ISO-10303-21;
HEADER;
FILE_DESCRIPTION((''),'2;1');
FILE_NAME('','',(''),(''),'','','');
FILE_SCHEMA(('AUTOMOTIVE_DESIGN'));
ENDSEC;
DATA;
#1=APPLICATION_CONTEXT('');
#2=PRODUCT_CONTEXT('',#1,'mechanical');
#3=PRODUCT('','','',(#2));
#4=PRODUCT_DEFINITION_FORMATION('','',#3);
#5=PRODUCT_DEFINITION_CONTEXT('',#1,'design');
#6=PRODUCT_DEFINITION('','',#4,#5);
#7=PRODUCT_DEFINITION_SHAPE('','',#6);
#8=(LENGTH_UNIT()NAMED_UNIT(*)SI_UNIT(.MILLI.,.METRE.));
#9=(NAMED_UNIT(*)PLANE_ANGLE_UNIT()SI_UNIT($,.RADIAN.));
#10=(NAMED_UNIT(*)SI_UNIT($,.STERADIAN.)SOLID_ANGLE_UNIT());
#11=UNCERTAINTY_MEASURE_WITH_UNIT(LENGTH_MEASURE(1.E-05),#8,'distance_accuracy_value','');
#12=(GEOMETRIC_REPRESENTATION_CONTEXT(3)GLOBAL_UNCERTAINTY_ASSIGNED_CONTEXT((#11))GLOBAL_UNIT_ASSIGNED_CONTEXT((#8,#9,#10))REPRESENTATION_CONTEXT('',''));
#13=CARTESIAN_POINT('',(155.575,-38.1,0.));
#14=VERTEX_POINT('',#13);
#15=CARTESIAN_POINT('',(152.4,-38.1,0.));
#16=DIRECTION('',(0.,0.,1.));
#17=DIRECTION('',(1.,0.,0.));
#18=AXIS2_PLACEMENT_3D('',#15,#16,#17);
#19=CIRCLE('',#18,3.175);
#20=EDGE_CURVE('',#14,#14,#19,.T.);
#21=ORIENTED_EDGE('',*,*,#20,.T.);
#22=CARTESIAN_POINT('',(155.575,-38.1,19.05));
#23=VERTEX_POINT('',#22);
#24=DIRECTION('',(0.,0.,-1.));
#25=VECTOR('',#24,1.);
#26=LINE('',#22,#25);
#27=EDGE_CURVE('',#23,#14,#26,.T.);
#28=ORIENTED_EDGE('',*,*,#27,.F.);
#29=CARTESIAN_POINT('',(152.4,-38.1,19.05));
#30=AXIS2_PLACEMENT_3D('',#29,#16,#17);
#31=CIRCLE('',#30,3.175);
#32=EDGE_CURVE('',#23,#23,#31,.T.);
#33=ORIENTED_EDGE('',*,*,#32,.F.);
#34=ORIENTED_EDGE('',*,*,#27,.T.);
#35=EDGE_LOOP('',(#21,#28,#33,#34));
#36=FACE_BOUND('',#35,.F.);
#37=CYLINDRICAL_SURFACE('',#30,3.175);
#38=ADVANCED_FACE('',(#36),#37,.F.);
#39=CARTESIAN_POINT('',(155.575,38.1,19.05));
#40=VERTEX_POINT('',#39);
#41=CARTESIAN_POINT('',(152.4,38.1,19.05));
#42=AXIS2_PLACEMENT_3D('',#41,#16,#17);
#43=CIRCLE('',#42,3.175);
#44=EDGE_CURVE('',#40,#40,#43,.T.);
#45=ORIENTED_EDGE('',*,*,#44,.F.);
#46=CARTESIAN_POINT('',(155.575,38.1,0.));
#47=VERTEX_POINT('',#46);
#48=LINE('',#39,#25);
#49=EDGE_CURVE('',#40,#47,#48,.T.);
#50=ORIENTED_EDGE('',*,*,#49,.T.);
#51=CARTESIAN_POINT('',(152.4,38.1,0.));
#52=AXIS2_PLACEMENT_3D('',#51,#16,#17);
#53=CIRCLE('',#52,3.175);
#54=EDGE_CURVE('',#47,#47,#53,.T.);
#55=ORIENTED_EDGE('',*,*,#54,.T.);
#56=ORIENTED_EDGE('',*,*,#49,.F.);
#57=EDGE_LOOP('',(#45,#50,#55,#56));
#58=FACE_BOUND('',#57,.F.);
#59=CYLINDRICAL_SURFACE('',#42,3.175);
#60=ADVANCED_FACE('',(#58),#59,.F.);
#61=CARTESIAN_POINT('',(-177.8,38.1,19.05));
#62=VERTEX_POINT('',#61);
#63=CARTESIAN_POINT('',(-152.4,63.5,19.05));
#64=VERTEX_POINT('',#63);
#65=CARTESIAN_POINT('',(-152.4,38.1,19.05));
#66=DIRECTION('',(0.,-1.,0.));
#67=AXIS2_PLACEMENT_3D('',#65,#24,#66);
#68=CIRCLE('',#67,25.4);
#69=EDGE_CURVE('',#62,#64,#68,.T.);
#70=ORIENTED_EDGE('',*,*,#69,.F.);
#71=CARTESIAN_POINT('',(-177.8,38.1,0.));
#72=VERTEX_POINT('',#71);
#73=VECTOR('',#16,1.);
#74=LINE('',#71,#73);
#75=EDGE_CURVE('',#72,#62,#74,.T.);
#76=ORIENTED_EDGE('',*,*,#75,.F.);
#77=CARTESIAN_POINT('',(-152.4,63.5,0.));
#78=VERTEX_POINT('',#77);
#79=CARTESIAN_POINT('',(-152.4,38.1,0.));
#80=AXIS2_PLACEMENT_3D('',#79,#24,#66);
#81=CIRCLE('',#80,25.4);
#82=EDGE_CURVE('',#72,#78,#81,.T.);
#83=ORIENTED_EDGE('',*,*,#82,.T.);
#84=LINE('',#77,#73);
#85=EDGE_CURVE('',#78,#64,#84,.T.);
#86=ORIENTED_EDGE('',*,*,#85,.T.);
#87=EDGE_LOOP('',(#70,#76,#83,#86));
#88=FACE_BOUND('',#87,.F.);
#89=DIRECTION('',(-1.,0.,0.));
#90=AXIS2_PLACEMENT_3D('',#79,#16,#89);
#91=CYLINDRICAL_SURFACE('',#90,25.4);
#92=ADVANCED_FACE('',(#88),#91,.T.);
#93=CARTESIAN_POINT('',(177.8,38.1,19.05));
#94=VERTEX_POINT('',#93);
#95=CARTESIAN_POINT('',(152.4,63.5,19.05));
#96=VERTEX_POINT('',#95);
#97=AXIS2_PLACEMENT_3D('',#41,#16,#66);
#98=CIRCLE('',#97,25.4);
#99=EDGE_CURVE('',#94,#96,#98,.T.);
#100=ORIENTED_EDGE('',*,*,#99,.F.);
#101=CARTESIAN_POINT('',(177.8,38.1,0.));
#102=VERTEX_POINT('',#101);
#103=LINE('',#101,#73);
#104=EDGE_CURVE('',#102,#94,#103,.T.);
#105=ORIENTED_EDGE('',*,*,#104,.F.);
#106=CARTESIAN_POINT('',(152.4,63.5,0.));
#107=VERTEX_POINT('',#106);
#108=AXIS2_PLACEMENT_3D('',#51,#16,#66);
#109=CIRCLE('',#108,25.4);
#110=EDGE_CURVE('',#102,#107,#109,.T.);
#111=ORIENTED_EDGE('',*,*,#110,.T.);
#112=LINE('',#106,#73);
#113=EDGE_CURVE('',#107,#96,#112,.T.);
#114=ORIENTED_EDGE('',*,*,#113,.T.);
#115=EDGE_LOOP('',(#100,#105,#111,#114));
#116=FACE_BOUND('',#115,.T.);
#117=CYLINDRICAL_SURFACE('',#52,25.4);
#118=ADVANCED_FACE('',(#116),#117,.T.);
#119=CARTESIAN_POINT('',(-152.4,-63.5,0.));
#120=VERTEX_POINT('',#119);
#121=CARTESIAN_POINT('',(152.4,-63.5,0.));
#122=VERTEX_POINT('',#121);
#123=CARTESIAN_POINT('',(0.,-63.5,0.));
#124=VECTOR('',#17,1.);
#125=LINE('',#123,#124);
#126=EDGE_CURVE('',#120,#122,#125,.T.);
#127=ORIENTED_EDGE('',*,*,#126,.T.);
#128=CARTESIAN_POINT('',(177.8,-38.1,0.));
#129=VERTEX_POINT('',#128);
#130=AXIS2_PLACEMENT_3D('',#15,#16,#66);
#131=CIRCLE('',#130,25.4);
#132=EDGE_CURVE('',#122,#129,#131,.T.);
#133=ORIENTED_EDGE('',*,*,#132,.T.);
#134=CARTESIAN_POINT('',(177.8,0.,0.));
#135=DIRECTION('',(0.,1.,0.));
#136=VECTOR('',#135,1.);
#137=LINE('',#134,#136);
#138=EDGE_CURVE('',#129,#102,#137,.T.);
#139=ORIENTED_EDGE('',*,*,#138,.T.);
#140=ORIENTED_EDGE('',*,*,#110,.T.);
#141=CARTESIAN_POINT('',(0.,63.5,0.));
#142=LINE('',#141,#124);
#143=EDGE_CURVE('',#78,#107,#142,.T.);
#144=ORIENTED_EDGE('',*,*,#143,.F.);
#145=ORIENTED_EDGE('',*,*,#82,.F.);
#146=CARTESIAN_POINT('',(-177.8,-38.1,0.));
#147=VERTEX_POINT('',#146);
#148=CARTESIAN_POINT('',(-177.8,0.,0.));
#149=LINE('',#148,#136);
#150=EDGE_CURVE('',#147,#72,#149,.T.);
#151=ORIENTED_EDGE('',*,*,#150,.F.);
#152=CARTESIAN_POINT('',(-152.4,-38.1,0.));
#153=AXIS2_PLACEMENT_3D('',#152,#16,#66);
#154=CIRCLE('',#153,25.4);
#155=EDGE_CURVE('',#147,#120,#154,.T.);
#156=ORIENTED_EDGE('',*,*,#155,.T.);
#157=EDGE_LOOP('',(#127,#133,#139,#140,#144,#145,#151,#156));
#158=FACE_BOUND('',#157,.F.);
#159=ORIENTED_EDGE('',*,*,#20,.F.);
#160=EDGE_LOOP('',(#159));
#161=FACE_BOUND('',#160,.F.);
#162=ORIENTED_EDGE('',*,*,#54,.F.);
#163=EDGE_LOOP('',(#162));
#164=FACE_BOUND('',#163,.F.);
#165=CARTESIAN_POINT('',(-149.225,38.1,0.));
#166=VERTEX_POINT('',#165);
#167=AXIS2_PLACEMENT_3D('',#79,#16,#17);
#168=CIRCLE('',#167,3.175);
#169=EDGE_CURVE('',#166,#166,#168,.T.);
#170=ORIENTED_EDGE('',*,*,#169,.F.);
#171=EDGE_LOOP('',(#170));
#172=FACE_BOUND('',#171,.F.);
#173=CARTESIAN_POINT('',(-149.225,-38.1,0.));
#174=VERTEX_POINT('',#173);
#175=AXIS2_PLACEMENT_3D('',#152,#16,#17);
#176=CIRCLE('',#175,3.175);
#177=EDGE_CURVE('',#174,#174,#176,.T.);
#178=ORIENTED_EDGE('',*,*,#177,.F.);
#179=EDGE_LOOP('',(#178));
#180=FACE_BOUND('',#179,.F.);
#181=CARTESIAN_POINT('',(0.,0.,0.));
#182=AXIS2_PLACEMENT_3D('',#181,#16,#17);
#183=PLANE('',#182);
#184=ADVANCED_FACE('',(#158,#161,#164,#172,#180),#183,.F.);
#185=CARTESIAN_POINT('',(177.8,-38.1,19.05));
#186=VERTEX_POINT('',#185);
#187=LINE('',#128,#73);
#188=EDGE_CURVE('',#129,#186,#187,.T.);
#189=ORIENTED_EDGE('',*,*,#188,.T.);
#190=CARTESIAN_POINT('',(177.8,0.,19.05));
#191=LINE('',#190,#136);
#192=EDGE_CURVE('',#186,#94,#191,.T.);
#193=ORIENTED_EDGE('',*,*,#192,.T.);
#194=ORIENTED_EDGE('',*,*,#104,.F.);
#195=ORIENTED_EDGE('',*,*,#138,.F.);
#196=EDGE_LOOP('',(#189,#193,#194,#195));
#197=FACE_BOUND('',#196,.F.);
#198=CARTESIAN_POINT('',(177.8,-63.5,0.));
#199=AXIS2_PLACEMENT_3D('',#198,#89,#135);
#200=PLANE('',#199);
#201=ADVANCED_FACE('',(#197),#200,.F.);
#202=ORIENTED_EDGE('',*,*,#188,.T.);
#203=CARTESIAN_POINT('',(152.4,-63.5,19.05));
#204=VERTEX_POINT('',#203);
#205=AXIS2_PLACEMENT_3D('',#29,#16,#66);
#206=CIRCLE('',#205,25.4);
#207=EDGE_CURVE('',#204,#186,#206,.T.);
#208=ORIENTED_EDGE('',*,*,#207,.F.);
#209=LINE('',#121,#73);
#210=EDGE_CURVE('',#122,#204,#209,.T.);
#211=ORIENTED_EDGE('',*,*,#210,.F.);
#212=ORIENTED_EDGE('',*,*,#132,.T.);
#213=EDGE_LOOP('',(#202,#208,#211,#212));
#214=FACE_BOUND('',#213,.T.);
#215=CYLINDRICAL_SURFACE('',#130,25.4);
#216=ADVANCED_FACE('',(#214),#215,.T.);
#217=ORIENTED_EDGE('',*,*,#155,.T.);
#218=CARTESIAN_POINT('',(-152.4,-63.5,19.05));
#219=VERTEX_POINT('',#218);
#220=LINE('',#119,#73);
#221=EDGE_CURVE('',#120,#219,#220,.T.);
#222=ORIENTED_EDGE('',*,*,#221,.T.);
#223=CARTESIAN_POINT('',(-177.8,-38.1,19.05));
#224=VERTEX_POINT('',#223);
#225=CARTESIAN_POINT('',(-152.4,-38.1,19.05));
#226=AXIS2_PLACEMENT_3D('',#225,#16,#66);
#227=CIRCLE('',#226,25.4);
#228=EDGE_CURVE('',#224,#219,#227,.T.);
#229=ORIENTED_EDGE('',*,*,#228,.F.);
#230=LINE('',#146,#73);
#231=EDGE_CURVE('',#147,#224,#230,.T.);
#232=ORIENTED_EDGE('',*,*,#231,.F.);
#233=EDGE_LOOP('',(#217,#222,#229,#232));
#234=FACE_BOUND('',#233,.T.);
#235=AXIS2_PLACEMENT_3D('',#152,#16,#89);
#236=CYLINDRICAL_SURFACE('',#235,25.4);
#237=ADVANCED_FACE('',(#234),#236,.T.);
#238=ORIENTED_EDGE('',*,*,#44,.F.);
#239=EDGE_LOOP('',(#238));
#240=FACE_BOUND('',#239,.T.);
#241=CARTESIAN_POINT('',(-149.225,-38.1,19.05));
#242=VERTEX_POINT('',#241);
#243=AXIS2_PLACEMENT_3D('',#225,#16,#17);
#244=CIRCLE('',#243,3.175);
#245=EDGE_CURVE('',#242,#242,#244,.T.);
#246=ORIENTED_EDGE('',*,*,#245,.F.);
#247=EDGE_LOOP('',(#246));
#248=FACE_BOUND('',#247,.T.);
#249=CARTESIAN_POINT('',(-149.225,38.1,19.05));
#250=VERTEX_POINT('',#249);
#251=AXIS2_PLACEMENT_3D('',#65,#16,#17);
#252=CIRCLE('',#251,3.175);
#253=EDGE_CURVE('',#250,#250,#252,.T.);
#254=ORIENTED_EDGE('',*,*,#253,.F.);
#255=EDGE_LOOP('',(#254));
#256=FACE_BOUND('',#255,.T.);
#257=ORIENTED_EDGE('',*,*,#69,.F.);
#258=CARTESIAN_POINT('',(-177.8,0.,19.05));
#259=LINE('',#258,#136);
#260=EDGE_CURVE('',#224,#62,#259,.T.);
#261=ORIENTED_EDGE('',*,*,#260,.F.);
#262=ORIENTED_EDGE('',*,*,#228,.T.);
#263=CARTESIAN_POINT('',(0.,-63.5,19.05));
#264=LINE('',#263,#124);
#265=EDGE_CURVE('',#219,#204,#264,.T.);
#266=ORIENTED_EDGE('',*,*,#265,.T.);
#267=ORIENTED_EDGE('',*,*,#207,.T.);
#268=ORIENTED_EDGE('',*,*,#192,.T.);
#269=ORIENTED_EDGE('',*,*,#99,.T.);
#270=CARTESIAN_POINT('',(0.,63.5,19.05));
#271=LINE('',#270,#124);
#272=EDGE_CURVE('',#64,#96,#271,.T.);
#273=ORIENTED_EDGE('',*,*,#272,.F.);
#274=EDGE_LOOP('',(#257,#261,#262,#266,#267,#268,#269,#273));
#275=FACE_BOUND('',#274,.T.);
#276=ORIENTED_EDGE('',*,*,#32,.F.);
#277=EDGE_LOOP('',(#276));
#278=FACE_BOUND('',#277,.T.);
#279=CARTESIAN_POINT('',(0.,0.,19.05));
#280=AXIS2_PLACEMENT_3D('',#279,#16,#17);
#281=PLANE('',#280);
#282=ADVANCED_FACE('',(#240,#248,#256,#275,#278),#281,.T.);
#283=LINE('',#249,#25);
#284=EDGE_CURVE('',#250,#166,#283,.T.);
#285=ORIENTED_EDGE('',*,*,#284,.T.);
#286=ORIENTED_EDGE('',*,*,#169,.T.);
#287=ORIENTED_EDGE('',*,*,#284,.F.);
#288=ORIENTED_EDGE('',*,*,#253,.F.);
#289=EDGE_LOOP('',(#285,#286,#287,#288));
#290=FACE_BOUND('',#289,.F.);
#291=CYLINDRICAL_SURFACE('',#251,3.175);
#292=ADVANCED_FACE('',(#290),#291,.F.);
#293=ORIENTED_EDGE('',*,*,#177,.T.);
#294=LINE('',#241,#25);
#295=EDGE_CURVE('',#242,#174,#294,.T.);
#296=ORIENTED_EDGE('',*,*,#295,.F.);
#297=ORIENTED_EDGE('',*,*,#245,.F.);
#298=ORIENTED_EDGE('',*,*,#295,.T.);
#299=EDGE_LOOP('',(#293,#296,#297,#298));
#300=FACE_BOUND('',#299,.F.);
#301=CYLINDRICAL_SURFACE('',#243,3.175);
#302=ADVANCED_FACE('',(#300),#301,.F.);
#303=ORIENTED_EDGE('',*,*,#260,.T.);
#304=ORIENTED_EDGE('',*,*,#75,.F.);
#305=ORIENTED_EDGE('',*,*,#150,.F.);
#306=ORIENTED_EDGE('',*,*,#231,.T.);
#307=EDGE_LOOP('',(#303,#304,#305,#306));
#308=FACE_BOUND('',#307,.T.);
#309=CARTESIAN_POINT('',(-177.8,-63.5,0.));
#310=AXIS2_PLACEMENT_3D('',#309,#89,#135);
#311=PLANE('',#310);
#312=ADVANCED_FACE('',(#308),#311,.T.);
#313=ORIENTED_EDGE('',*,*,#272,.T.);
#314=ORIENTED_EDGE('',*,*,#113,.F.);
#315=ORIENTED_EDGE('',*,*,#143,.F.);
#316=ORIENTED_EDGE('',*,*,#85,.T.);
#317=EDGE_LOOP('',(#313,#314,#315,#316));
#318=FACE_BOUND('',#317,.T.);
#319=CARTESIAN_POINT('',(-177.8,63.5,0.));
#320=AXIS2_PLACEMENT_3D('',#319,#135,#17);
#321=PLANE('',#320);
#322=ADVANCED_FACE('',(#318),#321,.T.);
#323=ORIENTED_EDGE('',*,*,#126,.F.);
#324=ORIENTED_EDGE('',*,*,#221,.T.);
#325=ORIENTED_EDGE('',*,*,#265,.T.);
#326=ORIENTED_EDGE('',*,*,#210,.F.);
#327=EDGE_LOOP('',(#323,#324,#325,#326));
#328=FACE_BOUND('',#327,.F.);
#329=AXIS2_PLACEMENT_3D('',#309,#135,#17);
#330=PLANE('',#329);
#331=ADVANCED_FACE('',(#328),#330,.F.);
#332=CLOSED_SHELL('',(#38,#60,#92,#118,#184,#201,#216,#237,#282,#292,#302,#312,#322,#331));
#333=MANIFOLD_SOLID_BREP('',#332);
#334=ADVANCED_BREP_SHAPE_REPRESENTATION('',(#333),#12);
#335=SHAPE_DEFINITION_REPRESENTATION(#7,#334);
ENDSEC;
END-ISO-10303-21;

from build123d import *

# Parameters (mm, degrees)
F0_W     = 355.6
F0_H     = 127
F1_DEPTH = 19.05
F2_R     = 25.4
F3_R     = 3.175
F4_DEPTH = 19.051


with BuildPart() as f1:
    # F0 (on Top) → F1 (new body)
    with BuildSketch(Plane.XY):
        Rectangle(F0_W, F0_H)
    extrude(amount=F1_DEPTH)

    # F2
    f2_edges = [f1.edges().sort_by_distance(p)[0] for p in [
        (-177.8, 63.5, 9.525),
        (-177.8, -63.5, 9.525),
        (177.8, -63.5, 9.525),
        (177.8, 63.5, 9.525),
    ]]
    fillet(f2_edges, radius=F2_R)

    # F3 (on face) → F4 (cut, through all)
    with BuildSketch(Plane.XY.offset(19.05)):
        with Locations((-152.4, 38.1)):
            Circle(F3_R)
        with Locations((-152.4, -38.1)):
            Circle(F3_R)
        with Locations((152.4, 38.1)):
            Circle(F3_R)
        with Locations((152.4, -38.1)):
            Circle(F3_R)
    extrude(amount=-F4_DEPTH, mode=Mode.SUBTRACT)


solid = f1.part
